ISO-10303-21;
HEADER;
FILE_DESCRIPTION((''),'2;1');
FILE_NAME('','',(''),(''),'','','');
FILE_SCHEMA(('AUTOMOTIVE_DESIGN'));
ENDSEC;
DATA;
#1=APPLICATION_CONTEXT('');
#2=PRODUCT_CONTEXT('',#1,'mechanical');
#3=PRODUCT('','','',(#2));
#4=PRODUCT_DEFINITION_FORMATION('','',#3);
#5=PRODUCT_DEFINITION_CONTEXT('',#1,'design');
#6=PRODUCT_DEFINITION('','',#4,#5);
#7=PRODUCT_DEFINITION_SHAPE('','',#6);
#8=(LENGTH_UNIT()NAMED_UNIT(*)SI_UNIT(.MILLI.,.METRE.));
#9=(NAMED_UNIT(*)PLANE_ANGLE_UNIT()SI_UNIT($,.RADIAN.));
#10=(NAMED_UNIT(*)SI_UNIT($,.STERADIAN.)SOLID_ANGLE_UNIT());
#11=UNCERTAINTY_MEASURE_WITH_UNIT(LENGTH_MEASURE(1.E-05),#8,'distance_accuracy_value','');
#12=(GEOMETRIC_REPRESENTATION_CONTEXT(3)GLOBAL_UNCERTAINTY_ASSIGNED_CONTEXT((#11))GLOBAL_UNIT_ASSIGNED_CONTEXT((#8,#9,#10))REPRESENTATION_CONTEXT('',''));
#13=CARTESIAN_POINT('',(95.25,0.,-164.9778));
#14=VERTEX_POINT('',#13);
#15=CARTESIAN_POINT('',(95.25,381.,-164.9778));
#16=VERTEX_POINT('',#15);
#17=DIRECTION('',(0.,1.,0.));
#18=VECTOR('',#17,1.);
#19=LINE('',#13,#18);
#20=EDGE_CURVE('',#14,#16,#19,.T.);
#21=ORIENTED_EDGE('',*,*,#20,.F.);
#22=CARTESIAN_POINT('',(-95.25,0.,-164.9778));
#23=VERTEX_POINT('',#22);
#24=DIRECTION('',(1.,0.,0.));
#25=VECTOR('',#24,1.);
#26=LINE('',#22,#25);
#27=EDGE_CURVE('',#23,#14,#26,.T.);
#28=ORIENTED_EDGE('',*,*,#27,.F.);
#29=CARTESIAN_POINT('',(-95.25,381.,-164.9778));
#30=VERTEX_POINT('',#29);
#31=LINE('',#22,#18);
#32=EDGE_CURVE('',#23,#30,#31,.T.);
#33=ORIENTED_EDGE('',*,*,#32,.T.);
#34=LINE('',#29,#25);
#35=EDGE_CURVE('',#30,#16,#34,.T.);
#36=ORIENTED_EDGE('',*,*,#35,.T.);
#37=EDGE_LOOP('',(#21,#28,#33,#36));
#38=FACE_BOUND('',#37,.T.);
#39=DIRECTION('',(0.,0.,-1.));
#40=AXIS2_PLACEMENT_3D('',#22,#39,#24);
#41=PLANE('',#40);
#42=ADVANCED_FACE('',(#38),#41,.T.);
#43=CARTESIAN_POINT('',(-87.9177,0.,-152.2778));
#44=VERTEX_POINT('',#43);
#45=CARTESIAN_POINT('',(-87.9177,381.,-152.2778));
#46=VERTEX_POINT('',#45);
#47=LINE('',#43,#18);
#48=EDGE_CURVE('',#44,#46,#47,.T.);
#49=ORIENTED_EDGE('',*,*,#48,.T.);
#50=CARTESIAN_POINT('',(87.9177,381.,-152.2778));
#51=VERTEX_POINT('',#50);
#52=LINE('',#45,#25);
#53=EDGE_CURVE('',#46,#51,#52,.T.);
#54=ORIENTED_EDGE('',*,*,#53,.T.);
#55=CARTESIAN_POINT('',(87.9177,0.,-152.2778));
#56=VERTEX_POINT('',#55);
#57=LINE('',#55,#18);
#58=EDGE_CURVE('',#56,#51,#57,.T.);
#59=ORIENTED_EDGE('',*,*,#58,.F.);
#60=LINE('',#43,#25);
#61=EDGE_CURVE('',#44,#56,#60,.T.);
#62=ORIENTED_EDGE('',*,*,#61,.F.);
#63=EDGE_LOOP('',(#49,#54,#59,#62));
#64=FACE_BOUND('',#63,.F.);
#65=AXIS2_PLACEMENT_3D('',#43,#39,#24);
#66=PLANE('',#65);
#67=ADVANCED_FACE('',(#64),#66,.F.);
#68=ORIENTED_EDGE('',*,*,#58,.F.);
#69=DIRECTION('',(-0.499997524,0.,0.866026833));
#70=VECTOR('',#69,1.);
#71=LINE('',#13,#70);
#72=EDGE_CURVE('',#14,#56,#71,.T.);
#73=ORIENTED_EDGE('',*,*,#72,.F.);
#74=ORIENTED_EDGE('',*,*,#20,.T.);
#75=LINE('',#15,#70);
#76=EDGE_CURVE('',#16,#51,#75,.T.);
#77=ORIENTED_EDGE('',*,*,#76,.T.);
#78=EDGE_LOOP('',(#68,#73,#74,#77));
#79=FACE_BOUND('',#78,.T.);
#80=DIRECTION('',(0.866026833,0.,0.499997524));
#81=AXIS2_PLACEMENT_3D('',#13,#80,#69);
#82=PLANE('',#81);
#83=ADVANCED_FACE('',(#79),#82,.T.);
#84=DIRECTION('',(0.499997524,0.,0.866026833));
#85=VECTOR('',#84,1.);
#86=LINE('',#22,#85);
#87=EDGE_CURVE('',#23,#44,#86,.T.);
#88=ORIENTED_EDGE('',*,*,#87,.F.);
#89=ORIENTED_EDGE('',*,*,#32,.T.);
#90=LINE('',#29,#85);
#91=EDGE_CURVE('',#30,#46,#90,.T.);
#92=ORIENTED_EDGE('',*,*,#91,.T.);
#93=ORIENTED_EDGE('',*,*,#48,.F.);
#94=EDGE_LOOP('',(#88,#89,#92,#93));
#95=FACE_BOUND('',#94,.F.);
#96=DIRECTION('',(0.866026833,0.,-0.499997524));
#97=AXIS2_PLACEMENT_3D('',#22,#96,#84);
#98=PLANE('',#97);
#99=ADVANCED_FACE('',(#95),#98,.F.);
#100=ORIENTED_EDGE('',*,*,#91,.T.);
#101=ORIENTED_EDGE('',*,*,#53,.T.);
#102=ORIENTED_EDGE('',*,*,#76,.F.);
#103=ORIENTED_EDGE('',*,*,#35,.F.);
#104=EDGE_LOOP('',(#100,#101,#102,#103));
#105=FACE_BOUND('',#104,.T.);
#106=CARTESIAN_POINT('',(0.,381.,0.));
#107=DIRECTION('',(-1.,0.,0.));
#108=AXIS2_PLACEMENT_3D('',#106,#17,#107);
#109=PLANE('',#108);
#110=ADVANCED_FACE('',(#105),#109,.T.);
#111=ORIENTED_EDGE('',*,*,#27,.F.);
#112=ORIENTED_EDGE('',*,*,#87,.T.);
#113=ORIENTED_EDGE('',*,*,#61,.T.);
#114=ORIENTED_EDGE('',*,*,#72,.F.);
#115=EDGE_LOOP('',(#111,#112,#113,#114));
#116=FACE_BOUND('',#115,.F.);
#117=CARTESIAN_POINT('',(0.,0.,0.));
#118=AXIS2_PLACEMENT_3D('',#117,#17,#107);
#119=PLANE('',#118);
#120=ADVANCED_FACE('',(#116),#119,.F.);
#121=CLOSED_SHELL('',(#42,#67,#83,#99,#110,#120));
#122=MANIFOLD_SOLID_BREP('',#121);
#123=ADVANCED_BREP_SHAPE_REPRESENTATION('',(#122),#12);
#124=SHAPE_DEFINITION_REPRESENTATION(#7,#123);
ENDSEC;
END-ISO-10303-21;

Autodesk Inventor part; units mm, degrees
sketch "Sketch1" plane through (0, 0, 0) normal (0, 1, 0) x (-1, 0, 0)
  line L0 (95.25, -164.9778) -> (-95.25, -164.9778)
  line L1 (87.9177, -152.2778) -> (-87.9177, -152.2778)
  line L2 (95.25, -164.9778) -> (87.9177, -152.2778)
  line L3 (-95.25, -164.9778) -> (-87.9177, -152.2778)
  point P0 (0, 0)
  point P1 (0, 0)
  point P2 (0, 0)
  dimension "d0" = 190.5
  dimension "d1" = 12.7
  dimension "d3" = 120
  dimension "d4" = 0
extrude "Extrusion1" add sketch "Sketch1" along normal blind 381
properties part number "side"
